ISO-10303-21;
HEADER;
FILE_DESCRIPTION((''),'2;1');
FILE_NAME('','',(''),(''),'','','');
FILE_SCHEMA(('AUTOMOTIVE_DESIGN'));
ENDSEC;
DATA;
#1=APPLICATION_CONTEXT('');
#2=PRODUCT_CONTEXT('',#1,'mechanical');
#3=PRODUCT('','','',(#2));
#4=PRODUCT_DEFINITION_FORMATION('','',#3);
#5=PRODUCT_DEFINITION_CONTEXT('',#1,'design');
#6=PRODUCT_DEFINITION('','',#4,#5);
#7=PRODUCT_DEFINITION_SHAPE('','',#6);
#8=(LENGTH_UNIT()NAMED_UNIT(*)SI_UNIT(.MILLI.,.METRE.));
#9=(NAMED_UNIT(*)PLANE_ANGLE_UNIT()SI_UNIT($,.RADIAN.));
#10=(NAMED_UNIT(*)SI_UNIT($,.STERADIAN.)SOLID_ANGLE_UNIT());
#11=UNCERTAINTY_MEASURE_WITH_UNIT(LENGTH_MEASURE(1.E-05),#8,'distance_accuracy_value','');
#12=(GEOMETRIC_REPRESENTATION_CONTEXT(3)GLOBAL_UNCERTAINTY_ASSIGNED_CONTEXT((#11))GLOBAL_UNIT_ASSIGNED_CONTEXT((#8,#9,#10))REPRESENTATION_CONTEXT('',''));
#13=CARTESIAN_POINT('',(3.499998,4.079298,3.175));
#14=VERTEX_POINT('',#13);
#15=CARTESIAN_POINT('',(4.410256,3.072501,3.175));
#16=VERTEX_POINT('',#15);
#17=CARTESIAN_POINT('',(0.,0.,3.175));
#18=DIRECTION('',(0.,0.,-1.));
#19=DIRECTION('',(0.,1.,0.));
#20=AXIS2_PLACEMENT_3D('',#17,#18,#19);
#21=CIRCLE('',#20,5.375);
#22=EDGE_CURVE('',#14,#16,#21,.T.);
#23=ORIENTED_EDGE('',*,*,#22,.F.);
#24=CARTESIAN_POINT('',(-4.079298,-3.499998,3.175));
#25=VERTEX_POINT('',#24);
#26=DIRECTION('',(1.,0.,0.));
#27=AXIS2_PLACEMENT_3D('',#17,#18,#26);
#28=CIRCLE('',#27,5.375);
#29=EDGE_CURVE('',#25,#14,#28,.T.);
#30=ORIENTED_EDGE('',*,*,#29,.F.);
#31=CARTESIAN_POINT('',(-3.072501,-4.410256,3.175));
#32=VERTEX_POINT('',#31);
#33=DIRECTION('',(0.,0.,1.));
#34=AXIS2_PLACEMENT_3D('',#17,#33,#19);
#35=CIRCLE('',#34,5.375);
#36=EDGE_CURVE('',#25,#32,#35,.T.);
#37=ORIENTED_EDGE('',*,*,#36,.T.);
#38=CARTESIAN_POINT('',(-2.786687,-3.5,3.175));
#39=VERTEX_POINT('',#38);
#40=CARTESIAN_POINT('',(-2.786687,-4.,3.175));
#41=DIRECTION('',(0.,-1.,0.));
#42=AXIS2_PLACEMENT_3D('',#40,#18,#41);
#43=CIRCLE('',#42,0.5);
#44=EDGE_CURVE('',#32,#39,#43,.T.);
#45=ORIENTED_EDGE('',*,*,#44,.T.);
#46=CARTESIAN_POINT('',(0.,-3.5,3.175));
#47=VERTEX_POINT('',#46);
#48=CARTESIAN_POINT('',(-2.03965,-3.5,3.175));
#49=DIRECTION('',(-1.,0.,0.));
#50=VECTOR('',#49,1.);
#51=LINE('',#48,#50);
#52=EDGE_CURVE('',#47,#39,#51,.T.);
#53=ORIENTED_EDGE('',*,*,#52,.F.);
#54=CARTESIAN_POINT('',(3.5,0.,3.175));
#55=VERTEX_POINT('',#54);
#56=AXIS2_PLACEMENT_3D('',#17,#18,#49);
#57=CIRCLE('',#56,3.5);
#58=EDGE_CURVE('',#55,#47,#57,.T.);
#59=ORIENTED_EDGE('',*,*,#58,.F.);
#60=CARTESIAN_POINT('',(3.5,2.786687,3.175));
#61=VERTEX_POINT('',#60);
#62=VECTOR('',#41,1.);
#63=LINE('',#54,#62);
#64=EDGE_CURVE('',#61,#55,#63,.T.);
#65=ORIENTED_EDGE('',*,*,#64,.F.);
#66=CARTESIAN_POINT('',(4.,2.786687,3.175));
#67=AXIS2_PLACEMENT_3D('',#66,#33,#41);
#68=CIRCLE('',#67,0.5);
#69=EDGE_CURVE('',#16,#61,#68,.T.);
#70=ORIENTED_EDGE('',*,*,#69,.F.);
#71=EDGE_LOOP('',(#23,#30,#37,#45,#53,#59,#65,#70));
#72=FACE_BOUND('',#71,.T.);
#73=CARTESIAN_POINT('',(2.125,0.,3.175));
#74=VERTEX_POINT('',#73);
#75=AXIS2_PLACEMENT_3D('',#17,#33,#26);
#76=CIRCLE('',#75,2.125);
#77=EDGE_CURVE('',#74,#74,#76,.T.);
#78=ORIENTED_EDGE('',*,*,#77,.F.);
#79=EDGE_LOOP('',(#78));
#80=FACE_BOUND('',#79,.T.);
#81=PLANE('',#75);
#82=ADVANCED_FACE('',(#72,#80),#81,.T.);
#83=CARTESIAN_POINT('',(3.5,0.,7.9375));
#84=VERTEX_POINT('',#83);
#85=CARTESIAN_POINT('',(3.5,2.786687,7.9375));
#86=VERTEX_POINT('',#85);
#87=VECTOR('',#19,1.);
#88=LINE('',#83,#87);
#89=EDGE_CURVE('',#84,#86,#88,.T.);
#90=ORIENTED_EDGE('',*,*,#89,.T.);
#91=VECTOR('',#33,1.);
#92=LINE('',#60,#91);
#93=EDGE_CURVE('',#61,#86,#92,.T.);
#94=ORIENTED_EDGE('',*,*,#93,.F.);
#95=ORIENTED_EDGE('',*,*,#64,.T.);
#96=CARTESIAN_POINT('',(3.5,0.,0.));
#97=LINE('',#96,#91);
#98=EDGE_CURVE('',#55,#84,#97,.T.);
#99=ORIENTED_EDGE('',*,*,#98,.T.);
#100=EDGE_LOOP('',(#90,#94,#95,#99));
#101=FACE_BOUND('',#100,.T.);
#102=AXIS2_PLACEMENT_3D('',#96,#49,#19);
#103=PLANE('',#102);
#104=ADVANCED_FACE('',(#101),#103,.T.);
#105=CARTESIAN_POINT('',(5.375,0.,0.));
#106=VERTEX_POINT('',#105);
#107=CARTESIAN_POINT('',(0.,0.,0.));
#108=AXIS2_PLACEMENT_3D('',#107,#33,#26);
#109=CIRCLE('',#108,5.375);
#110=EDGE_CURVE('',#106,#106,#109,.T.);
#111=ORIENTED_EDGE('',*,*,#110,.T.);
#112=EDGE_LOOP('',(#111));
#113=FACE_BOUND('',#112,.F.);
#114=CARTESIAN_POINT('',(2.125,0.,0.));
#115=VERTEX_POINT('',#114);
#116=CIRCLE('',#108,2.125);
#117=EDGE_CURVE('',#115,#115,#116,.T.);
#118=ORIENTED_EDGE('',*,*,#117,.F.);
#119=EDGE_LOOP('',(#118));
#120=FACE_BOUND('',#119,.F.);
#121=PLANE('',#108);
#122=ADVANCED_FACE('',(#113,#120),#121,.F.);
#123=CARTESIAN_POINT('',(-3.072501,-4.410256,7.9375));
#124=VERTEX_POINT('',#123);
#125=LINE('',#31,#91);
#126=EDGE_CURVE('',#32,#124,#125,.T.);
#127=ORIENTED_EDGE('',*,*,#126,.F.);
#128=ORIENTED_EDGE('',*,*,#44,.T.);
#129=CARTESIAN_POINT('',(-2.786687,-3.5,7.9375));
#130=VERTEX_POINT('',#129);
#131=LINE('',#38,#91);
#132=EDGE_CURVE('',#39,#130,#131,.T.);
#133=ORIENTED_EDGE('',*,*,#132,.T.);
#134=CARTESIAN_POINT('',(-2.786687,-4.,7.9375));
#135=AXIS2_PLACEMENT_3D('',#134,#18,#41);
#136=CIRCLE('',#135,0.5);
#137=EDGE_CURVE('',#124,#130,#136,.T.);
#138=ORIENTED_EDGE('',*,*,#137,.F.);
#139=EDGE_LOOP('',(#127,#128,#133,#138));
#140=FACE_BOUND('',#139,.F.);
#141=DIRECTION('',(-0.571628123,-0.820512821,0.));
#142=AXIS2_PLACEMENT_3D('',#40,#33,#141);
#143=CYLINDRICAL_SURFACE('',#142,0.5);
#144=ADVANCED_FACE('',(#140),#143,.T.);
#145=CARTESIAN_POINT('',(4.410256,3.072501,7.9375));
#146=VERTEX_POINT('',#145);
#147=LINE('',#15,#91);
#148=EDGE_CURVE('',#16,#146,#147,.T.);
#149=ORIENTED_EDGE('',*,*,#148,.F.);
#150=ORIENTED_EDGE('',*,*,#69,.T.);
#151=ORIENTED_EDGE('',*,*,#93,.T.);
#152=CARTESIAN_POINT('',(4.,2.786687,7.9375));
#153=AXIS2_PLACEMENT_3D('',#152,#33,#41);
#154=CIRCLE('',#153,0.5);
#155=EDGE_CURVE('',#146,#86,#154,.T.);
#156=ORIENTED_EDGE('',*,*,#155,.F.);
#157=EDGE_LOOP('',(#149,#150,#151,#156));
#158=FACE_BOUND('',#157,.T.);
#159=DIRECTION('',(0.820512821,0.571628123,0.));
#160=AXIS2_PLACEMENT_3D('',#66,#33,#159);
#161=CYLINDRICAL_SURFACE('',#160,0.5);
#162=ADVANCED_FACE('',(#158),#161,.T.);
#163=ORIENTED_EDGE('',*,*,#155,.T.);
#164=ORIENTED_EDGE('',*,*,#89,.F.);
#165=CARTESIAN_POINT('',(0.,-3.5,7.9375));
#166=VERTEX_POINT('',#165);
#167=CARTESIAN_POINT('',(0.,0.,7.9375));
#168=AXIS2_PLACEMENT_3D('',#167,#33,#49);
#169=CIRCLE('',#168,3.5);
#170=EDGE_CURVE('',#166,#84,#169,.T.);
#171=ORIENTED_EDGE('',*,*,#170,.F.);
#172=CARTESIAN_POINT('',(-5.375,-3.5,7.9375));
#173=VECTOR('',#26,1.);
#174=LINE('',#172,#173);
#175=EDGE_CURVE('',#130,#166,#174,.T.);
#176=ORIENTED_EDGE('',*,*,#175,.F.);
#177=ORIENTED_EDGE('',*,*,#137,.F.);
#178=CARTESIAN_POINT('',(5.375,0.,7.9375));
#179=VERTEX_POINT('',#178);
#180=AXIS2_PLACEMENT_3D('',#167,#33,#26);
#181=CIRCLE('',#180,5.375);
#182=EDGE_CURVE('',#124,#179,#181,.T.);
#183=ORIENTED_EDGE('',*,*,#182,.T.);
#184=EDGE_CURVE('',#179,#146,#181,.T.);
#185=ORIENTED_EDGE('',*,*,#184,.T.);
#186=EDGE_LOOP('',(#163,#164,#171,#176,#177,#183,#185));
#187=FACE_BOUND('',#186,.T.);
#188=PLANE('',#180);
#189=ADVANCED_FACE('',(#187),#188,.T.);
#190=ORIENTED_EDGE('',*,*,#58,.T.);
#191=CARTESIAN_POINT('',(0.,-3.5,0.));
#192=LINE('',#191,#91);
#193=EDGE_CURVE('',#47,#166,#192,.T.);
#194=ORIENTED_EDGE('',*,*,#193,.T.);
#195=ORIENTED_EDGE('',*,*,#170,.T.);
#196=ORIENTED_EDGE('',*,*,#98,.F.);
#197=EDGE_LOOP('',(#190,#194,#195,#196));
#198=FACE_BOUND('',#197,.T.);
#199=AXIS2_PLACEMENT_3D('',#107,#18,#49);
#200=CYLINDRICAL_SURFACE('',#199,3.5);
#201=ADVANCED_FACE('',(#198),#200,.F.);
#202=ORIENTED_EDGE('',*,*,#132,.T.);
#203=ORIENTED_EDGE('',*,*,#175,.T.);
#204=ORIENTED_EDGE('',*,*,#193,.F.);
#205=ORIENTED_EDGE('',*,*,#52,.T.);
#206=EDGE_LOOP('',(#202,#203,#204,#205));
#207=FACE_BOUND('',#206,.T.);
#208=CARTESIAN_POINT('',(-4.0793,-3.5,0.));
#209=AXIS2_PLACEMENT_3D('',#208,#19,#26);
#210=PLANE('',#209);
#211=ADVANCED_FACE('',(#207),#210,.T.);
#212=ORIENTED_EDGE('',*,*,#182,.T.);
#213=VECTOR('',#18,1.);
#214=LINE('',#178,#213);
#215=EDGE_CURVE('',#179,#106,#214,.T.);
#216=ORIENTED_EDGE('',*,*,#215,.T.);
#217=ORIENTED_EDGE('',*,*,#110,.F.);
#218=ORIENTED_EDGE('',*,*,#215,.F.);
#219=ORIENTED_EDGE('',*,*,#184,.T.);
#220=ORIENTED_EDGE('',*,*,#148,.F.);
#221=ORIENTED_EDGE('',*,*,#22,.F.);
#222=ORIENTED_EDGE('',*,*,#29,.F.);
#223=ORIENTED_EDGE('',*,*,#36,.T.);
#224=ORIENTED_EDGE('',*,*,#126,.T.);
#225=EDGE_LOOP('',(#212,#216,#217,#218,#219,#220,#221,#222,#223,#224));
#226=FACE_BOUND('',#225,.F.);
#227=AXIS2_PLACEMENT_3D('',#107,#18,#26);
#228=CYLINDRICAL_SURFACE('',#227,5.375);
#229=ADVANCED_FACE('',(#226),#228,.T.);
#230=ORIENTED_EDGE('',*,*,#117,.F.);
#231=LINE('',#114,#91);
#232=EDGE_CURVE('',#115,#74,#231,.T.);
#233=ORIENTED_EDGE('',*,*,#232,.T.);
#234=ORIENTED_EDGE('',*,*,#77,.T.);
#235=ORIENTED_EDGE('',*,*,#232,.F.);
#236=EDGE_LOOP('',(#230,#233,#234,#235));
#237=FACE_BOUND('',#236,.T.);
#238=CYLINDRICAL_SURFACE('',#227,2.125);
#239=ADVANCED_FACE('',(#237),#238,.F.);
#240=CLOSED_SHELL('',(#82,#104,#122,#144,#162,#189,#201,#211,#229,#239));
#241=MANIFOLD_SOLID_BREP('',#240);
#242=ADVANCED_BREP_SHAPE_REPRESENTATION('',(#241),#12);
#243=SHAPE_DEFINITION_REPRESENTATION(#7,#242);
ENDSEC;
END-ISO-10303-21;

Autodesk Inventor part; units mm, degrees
ref_plane "YZ Plane" through (0, 0, 0) normal (1, 0, 0) x (0, 1, 0)
ref_plane "XZ Plane" through (0, 0, 0) normal (0, 1, 0) x (-1, 0, 0)
ref_plane "XY Plane" through (0, 0, 0) normal (0, 0, 1) x (1, 0, 0)
sketch "Sketch1" plane through (0, 0, 0) normal (0, 0, 1) x (1, 0, 0)
  circle A0 centre (0, 0) radius 2.125
  circle A1 centre (0, 0) radius 5.375
  line L0 (0, 0) -> (0, 5.375) construction
  line L1 (3.5, 0) -> (3.5, 5.375)
  line L2 (-3.5, 5.375) -> (-3.5, 0)
  arc A2 (-3.5, 0) -> (3.5, 0) centre (0, 0) ccw
  arc A3 (3.5, 5.375) -> (-3.5, 5.375) centre (0, 5.375) ccw construction
  line L3 (0, 0) -> (-5.375, 0) construction
  line L4 (0, 3.5) -> (-5.375, 3.5)
  line L5 (-5.375, -3.5) -> (0, -3.5)
  arc A4 (0, -3.5) -> (0, 3.5) centre (0, 0) ccw
  arc A5 (-5.375, 3.5) -> (-5.375, -3.5) centre (-5.375, 0) ccw construction
  circle A6 centre (0, 11.725) radius 6.35 construction
  circle A7 centre (0, 9.85) radius 6.35 construction
  arc A8 (3.5, 4.0793) -> (-4.0793, -3.5) centre (1.9038, -1.9038) ccw
  point P0 (0, 2.6875)
  point P1 (-2.6875, 0)
  point P2 (0, -3.5)
  point P3 (-4.6837, -3.75)
  point P4 (3.75, 4.6837)
  point P5 (-3.5, 4.0793)
  point P6 (-3.5, 3.5)
  point P7 (-4.0793, 3.5)
  dimension "d0" = 4.25
  dimension "d3" = 10.75
  dimension "d4" = 7
  dimension "d5" = 7
  dimension "d6" = 90
  dimension "d7" = 12.7
  dimension "d8" = 12.7
extrude "Extrusion1" add sketch "Sketch1" along normal blind 3.175
extrude "Extrusion2" add sketch "Sketch1" along normal blind 7.9375 contours A1 L5 A2 L1
fillet "Fillet1" radius 0.5 2 edges at (3.5, 4.0793, 5.5563) (-4.0793, -3.5, 5.5563)
equation "\"d4\" = d5"
properties part number "Cam - Shell" material "Nylon 6/6"
